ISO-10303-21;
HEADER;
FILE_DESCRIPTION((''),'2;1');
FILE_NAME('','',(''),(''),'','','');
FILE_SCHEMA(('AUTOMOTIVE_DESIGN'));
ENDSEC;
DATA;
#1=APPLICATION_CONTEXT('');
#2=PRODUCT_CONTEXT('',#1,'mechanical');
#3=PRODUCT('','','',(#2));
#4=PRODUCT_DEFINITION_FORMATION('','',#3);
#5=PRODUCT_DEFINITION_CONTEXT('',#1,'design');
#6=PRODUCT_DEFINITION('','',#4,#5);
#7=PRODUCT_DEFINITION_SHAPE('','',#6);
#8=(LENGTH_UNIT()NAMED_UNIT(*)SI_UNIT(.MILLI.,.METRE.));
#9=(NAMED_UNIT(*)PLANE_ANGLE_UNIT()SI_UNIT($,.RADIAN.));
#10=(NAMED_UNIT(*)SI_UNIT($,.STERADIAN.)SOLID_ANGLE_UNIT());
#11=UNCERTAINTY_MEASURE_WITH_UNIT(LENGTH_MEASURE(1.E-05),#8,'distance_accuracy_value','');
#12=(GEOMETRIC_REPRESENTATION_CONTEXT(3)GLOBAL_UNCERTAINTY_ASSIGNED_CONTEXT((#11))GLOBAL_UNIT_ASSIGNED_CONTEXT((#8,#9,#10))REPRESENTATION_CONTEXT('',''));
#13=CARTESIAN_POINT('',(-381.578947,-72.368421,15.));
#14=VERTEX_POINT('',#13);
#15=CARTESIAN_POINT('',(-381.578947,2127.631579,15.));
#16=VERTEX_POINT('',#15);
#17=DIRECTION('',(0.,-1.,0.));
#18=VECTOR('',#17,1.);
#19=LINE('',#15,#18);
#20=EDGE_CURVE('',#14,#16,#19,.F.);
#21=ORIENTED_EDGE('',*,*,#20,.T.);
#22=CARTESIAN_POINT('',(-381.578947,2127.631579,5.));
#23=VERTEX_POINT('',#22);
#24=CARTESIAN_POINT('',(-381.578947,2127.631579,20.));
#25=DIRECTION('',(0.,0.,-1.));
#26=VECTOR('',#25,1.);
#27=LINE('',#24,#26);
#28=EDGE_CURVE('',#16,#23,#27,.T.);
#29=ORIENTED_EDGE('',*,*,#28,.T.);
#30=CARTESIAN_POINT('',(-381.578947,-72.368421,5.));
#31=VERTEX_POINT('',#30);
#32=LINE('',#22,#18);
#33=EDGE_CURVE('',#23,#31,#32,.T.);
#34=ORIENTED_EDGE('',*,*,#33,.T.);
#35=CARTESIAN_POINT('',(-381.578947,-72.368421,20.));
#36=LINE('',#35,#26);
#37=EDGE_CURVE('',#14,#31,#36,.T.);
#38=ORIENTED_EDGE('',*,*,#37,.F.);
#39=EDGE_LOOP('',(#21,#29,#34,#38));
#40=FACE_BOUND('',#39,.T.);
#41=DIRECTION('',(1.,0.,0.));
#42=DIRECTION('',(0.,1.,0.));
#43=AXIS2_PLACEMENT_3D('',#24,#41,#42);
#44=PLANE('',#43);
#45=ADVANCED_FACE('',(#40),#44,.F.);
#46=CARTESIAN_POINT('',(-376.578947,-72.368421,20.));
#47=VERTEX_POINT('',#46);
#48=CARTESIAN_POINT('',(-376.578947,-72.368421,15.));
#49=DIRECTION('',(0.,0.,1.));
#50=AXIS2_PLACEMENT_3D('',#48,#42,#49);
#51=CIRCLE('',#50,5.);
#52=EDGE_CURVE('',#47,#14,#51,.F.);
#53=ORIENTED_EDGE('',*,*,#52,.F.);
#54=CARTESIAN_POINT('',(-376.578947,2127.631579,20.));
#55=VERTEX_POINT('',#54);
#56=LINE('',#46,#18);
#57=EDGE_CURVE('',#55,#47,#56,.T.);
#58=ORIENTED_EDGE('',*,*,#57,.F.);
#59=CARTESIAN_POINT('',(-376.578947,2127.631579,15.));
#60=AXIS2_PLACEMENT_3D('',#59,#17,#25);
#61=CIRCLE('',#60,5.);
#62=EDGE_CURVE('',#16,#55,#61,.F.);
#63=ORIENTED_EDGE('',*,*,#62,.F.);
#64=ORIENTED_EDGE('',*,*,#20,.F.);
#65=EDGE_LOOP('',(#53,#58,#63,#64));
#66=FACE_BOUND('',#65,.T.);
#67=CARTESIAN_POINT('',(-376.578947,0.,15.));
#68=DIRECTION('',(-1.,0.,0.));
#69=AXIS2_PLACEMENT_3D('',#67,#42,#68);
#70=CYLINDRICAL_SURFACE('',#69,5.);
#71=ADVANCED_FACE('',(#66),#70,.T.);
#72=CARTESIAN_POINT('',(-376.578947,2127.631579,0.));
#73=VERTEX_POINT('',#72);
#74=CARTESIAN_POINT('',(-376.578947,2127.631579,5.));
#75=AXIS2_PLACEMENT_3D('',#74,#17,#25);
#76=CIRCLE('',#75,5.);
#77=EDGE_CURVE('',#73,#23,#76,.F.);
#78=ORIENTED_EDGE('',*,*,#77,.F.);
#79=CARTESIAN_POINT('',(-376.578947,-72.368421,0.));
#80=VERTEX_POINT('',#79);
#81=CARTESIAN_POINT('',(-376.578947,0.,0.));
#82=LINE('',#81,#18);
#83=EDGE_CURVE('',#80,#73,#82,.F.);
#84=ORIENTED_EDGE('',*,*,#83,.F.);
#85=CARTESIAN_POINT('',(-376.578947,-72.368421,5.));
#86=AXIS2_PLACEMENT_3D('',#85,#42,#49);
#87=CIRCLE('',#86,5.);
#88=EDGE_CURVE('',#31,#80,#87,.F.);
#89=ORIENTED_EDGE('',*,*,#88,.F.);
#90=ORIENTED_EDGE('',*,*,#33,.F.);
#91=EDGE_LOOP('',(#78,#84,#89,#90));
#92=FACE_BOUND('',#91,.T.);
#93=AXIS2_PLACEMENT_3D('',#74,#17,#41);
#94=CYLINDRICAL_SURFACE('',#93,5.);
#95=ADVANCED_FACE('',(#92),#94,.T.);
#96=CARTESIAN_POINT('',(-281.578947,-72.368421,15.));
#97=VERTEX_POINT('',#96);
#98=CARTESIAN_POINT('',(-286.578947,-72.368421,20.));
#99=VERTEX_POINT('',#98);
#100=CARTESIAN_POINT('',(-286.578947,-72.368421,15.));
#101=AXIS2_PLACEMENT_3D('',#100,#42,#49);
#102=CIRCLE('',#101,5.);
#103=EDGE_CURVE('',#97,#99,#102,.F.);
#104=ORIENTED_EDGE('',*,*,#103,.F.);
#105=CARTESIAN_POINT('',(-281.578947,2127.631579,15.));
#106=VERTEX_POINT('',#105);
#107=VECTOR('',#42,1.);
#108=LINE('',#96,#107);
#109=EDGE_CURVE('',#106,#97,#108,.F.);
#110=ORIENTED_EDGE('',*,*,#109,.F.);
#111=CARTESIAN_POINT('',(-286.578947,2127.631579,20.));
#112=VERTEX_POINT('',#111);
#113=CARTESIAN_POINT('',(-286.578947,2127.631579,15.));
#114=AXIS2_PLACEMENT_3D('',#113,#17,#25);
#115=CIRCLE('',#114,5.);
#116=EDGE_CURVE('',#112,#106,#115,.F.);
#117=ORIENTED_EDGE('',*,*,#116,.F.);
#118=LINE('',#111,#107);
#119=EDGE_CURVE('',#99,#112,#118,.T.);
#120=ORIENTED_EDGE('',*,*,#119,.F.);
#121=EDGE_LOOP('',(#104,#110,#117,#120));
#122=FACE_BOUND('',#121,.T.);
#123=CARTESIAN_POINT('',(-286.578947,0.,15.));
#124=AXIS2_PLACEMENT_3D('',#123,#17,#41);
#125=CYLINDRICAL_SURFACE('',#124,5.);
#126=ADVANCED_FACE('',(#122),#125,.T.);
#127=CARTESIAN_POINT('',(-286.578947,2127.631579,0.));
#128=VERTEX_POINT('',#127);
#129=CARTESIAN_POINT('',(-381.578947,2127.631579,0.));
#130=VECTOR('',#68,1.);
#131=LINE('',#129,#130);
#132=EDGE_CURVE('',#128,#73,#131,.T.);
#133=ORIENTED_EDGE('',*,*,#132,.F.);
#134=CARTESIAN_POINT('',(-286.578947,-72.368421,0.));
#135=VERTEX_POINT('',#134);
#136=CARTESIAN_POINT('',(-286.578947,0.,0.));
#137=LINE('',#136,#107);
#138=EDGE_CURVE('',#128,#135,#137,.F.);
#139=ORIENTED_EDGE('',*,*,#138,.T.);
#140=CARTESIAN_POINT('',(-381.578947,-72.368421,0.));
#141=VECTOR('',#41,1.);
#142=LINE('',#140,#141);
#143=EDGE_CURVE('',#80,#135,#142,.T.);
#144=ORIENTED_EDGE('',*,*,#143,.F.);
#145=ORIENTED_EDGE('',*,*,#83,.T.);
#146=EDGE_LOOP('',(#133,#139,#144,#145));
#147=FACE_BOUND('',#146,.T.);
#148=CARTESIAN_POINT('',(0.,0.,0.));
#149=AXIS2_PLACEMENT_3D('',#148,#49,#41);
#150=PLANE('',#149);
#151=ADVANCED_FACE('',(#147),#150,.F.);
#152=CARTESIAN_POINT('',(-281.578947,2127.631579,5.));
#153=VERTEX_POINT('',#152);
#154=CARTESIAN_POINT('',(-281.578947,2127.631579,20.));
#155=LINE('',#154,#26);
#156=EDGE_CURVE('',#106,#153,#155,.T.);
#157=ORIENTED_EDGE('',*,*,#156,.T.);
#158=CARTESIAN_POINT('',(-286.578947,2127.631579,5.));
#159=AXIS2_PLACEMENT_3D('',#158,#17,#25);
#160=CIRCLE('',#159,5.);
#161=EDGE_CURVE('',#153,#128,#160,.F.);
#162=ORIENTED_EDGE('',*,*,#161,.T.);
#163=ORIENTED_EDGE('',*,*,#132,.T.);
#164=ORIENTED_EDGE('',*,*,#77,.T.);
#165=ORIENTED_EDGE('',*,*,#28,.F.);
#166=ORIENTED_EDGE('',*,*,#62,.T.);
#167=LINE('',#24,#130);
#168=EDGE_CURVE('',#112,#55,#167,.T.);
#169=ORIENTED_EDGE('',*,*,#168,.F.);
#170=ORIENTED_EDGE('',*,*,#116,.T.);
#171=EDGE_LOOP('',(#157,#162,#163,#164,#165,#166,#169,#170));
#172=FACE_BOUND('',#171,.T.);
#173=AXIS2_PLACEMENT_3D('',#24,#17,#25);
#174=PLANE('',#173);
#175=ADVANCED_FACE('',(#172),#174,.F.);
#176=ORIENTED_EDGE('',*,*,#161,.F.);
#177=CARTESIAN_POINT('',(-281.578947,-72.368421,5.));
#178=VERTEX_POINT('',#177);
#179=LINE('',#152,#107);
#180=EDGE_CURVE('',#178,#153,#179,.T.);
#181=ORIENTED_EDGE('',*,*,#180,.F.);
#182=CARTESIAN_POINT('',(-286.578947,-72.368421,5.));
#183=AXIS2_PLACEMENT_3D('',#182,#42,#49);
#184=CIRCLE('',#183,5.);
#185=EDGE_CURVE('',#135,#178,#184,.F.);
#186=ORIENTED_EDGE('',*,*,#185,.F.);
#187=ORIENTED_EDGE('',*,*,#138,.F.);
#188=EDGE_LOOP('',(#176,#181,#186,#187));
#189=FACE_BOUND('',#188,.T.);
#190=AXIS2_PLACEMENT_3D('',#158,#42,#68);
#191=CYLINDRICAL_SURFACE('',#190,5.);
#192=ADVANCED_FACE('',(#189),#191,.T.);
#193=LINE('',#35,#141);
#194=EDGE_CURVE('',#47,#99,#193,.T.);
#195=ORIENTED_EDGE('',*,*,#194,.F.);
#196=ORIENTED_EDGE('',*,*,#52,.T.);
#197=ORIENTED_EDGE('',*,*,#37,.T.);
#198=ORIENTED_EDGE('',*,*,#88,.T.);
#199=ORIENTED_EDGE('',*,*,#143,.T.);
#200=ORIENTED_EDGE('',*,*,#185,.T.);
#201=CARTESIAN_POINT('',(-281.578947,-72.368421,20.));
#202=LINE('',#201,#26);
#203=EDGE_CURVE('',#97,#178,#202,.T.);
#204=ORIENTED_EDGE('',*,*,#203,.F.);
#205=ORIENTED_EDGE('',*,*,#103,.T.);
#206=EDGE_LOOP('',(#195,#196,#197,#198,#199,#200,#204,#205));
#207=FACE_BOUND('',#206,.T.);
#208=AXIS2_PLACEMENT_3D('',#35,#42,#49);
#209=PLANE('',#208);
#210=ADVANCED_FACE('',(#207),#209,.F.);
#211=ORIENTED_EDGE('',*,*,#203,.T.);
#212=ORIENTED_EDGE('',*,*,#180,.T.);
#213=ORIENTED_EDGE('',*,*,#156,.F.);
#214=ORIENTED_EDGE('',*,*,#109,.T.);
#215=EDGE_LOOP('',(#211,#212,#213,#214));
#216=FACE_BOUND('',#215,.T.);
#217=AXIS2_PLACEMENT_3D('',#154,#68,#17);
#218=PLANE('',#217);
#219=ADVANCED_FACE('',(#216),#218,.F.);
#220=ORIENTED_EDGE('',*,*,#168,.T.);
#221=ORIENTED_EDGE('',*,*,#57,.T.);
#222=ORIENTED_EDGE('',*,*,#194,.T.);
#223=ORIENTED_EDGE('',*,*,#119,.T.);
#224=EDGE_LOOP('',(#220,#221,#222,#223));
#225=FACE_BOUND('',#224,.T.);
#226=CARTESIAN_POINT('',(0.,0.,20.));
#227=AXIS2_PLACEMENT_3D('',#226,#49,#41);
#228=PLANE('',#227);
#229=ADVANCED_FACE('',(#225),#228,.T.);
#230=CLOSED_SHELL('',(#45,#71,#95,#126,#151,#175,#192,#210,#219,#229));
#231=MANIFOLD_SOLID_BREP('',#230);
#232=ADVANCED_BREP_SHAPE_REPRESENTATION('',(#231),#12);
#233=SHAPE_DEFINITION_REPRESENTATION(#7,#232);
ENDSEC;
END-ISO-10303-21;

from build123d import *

# Parameters (mm, degrees)
SKETCH_1_W      = 100
SKETCH_1_H      = 2200
EXTRUDE_1_DEPTH = 20
FILLET_1_R      = 5


with BuildPart() as part:
    # Эскиз1 → Бобышка-Вытянуть1 (new body)
    with BuildSketch(Plane.XY):
        with Locations((-331.578947368, 1027.631578947)):
            Rectangle(SKETCH_1_W, SKETCH_1_H)
    extrude(amount=EXTRUDE_1_DEPTH)

    # Скругление1
    fillet_1_edges = [part.edges().sort_by_distance(p)[0] for p in [
        (-281.578947368, 1027.631578947, 20),
        (-381.578947368, 1027.631578947, 20),
        (-281.578947368, 1027.631578947, 0),
        (-381.578947368, 1027.631578947, 0),
    ]]
    fillet(fillet_1_edges, radius=FILLET_1_R)


solid = part.part
